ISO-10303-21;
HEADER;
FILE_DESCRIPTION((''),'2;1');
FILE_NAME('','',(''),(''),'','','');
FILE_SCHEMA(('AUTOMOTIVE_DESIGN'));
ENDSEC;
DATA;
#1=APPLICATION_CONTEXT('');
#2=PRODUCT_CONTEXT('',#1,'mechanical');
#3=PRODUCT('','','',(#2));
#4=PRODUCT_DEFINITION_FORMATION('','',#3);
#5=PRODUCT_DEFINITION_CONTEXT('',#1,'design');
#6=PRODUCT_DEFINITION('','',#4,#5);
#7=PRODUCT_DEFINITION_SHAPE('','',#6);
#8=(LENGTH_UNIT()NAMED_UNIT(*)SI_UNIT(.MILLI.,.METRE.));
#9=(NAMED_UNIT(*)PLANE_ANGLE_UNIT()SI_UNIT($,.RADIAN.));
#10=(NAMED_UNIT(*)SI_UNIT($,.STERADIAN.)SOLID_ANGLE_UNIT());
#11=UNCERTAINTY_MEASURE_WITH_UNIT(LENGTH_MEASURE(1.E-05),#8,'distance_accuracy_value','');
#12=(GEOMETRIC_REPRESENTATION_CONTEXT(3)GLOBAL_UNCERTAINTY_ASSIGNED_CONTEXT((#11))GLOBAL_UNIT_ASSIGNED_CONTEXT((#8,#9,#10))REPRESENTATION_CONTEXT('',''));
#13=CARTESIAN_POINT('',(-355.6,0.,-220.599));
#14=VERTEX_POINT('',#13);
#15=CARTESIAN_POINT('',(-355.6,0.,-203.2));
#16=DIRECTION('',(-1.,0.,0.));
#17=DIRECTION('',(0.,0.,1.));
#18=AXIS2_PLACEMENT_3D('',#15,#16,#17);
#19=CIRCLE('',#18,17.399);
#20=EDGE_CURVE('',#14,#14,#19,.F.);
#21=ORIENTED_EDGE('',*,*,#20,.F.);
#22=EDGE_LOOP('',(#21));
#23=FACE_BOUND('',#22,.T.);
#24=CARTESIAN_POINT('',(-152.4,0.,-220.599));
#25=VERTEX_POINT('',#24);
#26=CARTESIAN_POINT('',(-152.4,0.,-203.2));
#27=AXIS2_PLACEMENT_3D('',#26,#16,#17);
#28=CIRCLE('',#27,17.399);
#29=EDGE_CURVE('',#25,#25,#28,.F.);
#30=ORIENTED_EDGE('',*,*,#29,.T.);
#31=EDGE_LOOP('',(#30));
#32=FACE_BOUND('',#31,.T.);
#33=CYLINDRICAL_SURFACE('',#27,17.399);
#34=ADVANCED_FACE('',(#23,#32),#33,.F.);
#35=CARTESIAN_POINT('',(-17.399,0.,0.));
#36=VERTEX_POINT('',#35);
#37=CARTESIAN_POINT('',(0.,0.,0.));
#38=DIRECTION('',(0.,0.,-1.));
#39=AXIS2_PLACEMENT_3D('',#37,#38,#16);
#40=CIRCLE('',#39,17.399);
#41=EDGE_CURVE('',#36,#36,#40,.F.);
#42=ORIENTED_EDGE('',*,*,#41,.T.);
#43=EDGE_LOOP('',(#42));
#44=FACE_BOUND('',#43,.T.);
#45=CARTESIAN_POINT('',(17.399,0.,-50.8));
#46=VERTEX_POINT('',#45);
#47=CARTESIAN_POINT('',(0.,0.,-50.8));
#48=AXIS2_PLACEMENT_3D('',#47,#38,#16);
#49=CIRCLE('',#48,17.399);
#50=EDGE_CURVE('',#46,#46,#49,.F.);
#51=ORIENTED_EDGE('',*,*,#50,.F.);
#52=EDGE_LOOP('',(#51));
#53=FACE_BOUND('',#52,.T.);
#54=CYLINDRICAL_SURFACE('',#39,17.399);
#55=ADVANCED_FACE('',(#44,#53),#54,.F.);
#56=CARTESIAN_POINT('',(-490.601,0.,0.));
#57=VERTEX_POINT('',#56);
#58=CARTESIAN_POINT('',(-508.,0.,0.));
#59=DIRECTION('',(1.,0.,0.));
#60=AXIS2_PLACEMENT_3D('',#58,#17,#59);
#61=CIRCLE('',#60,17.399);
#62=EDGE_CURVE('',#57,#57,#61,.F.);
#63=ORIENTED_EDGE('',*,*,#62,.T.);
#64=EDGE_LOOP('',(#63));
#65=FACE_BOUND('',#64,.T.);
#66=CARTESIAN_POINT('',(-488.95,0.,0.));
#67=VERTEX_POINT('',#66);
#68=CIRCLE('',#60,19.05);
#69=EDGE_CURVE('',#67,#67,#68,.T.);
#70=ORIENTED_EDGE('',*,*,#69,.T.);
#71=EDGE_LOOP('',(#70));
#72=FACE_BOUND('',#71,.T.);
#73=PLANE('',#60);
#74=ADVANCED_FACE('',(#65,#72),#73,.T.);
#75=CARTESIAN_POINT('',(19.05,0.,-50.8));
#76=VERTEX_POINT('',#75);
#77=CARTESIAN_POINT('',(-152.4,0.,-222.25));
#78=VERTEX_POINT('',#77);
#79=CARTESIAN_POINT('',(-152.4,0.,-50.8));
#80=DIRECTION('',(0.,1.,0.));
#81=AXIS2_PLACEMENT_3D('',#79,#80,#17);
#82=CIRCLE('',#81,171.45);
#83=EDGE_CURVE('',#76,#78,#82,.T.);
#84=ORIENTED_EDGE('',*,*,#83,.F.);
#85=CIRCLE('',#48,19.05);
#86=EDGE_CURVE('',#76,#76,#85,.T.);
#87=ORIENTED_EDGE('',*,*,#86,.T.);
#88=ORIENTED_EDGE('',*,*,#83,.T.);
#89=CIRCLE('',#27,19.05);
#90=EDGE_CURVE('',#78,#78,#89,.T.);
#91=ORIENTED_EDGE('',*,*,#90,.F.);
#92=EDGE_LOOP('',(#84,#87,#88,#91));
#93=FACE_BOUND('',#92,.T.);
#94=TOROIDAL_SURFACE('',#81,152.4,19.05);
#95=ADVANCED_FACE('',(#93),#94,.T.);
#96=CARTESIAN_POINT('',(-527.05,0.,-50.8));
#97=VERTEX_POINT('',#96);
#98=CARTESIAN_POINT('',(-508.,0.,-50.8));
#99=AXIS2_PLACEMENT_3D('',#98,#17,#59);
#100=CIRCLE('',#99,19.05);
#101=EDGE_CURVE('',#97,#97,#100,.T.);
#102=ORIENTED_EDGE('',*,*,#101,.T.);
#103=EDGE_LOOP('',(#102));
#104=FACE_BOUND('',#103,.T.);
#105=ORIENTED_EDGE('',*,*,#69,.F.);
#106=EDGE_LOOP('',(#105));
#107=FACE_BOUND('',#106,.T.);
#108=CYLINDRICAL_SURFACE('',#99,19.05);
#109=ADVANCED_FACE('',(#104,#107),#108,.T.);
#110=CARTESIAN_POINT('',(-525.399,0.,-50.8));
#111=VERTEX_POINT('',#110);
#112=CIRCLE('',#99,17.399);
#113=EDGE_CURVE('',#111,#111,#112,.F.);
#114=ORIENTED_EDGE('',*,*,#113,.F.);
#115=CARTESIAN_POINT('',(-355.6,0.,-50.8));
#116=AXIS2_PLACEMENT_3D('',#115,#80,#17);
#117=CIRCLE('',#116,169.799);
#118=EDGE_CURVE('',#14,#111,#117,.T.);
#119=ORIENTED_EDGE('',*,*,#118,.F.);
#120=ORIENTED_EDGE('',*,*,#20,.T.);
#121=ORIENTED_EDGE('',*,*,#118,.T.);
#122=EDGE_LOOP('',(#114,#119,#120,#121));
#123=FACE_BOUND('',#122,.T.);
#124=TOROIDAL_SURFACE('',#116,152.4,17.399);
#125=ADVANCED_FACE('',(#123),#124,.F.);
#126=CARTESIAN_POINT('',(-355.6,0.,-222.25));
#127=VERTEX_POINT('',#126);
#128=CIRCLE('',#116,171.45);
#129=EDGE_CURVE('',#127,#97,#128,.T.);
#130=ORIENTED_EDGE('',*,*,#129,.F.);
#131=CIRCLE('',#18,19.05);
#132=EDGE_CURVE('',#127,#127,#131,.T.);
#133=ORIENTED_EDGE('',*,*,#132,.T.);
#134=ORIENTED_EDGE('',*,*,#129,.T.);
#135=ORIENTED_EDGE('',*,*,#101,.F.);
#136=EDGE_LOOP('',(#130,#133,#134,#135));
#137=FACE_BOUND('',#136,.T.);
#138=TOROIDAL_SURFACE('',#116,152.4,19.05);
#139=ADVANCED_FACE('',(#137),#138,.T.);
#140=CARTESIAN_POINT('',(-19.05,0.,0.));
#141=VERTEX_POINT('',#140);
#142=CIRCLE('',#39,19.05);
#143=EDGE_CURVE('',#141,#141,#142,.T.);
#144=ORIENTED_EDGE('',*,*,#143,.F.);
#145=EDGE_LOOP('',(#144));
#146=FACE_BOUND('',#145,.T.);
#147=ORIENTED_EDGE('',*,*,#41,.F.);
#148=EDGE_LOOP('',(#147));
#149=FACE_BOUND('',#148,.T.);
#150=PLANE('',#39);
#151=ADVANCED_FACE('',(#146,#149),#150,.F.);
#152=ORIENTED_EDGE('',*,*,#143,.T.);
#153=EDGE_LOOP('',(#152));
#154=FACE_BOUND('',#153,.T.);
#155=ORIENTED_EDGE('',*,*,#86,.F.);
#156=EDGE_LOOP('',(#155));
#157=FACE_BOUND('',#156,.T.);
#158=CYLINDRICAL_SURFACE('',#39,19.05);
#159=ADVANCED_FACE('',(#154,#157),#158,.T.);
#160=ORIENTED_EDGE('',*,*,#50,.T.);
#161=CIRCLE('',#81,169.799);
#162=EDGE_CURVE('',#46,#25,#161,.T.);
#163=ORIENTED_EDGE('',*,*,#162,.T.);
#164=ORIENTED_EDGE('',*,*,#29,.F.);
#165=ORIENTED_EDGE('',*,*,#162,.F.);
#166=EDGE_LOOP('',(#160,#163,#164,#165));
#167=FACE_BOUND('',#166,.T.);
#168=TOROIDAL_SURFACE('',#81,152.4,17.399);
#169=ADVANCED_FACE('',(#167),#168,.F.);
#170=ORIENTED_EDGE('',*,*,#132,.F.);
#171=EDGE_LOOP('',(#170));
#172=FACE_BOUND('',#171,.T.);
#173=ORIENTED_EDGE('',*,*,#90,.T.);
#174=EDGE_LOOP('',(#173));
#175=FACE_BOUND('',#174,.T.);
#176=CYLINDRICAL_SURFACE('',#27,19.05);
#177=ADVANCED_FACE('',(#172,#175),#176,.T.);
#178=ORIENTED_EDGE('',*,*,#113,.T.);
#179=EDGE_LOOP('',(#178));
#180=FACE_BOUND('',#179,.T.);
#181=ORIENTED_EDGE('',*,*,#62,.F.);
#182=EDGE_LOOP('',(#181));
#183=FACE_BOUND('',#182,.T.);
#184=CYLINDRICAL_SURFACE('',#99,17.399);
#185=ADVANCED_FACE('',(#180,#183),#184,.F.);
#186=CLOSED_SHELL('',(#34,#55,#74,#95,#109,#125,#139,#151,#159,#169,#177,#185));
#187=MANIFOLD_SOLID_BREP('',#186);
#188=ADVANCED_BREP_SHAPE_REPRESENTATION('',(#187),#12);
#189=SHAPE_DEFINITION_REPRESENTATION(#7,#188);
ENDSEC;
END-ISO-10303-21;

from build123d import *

# Parameters (mm, degrees)
SKETCH4_R   = 19.05
SKETCH4_R_2 = 17.399


with BuildPart() as part:
    # Sweep1: sweep along a path in Sketch1
    with BuildLine(Plane(origin=(0, 0, 0), x_dir=(1, 0, 0), z_dir=(0, 1, 0))) as sweep1_path:
        Line((0, 0), (0, 50.8))
        ThreePointArc((0, 50.8), (-44.636926547, 158.563073453), (-152.4, 203.2))
        Line((-152.4, 203.2), (-355.6, 203.2))
        ThreePointArc((-355.6, 203.2), (-463.363073453, 158.563073453), (-508, 50.8))
        Line((-508, 50.8), (-508, 0))
    # Sketch4 → Sweep1 (sweep)
    with BuildSketch(Plane.XY):
        with Locations((-508, 0)):
            Circle(SKETCH4_R)
        with Locations((-508, 0)):
            Circle(SKETCH4_R_2, mode=Mode.SUBTRACT)
    sweep(path=sweep1_path.line)


solid = part.part
